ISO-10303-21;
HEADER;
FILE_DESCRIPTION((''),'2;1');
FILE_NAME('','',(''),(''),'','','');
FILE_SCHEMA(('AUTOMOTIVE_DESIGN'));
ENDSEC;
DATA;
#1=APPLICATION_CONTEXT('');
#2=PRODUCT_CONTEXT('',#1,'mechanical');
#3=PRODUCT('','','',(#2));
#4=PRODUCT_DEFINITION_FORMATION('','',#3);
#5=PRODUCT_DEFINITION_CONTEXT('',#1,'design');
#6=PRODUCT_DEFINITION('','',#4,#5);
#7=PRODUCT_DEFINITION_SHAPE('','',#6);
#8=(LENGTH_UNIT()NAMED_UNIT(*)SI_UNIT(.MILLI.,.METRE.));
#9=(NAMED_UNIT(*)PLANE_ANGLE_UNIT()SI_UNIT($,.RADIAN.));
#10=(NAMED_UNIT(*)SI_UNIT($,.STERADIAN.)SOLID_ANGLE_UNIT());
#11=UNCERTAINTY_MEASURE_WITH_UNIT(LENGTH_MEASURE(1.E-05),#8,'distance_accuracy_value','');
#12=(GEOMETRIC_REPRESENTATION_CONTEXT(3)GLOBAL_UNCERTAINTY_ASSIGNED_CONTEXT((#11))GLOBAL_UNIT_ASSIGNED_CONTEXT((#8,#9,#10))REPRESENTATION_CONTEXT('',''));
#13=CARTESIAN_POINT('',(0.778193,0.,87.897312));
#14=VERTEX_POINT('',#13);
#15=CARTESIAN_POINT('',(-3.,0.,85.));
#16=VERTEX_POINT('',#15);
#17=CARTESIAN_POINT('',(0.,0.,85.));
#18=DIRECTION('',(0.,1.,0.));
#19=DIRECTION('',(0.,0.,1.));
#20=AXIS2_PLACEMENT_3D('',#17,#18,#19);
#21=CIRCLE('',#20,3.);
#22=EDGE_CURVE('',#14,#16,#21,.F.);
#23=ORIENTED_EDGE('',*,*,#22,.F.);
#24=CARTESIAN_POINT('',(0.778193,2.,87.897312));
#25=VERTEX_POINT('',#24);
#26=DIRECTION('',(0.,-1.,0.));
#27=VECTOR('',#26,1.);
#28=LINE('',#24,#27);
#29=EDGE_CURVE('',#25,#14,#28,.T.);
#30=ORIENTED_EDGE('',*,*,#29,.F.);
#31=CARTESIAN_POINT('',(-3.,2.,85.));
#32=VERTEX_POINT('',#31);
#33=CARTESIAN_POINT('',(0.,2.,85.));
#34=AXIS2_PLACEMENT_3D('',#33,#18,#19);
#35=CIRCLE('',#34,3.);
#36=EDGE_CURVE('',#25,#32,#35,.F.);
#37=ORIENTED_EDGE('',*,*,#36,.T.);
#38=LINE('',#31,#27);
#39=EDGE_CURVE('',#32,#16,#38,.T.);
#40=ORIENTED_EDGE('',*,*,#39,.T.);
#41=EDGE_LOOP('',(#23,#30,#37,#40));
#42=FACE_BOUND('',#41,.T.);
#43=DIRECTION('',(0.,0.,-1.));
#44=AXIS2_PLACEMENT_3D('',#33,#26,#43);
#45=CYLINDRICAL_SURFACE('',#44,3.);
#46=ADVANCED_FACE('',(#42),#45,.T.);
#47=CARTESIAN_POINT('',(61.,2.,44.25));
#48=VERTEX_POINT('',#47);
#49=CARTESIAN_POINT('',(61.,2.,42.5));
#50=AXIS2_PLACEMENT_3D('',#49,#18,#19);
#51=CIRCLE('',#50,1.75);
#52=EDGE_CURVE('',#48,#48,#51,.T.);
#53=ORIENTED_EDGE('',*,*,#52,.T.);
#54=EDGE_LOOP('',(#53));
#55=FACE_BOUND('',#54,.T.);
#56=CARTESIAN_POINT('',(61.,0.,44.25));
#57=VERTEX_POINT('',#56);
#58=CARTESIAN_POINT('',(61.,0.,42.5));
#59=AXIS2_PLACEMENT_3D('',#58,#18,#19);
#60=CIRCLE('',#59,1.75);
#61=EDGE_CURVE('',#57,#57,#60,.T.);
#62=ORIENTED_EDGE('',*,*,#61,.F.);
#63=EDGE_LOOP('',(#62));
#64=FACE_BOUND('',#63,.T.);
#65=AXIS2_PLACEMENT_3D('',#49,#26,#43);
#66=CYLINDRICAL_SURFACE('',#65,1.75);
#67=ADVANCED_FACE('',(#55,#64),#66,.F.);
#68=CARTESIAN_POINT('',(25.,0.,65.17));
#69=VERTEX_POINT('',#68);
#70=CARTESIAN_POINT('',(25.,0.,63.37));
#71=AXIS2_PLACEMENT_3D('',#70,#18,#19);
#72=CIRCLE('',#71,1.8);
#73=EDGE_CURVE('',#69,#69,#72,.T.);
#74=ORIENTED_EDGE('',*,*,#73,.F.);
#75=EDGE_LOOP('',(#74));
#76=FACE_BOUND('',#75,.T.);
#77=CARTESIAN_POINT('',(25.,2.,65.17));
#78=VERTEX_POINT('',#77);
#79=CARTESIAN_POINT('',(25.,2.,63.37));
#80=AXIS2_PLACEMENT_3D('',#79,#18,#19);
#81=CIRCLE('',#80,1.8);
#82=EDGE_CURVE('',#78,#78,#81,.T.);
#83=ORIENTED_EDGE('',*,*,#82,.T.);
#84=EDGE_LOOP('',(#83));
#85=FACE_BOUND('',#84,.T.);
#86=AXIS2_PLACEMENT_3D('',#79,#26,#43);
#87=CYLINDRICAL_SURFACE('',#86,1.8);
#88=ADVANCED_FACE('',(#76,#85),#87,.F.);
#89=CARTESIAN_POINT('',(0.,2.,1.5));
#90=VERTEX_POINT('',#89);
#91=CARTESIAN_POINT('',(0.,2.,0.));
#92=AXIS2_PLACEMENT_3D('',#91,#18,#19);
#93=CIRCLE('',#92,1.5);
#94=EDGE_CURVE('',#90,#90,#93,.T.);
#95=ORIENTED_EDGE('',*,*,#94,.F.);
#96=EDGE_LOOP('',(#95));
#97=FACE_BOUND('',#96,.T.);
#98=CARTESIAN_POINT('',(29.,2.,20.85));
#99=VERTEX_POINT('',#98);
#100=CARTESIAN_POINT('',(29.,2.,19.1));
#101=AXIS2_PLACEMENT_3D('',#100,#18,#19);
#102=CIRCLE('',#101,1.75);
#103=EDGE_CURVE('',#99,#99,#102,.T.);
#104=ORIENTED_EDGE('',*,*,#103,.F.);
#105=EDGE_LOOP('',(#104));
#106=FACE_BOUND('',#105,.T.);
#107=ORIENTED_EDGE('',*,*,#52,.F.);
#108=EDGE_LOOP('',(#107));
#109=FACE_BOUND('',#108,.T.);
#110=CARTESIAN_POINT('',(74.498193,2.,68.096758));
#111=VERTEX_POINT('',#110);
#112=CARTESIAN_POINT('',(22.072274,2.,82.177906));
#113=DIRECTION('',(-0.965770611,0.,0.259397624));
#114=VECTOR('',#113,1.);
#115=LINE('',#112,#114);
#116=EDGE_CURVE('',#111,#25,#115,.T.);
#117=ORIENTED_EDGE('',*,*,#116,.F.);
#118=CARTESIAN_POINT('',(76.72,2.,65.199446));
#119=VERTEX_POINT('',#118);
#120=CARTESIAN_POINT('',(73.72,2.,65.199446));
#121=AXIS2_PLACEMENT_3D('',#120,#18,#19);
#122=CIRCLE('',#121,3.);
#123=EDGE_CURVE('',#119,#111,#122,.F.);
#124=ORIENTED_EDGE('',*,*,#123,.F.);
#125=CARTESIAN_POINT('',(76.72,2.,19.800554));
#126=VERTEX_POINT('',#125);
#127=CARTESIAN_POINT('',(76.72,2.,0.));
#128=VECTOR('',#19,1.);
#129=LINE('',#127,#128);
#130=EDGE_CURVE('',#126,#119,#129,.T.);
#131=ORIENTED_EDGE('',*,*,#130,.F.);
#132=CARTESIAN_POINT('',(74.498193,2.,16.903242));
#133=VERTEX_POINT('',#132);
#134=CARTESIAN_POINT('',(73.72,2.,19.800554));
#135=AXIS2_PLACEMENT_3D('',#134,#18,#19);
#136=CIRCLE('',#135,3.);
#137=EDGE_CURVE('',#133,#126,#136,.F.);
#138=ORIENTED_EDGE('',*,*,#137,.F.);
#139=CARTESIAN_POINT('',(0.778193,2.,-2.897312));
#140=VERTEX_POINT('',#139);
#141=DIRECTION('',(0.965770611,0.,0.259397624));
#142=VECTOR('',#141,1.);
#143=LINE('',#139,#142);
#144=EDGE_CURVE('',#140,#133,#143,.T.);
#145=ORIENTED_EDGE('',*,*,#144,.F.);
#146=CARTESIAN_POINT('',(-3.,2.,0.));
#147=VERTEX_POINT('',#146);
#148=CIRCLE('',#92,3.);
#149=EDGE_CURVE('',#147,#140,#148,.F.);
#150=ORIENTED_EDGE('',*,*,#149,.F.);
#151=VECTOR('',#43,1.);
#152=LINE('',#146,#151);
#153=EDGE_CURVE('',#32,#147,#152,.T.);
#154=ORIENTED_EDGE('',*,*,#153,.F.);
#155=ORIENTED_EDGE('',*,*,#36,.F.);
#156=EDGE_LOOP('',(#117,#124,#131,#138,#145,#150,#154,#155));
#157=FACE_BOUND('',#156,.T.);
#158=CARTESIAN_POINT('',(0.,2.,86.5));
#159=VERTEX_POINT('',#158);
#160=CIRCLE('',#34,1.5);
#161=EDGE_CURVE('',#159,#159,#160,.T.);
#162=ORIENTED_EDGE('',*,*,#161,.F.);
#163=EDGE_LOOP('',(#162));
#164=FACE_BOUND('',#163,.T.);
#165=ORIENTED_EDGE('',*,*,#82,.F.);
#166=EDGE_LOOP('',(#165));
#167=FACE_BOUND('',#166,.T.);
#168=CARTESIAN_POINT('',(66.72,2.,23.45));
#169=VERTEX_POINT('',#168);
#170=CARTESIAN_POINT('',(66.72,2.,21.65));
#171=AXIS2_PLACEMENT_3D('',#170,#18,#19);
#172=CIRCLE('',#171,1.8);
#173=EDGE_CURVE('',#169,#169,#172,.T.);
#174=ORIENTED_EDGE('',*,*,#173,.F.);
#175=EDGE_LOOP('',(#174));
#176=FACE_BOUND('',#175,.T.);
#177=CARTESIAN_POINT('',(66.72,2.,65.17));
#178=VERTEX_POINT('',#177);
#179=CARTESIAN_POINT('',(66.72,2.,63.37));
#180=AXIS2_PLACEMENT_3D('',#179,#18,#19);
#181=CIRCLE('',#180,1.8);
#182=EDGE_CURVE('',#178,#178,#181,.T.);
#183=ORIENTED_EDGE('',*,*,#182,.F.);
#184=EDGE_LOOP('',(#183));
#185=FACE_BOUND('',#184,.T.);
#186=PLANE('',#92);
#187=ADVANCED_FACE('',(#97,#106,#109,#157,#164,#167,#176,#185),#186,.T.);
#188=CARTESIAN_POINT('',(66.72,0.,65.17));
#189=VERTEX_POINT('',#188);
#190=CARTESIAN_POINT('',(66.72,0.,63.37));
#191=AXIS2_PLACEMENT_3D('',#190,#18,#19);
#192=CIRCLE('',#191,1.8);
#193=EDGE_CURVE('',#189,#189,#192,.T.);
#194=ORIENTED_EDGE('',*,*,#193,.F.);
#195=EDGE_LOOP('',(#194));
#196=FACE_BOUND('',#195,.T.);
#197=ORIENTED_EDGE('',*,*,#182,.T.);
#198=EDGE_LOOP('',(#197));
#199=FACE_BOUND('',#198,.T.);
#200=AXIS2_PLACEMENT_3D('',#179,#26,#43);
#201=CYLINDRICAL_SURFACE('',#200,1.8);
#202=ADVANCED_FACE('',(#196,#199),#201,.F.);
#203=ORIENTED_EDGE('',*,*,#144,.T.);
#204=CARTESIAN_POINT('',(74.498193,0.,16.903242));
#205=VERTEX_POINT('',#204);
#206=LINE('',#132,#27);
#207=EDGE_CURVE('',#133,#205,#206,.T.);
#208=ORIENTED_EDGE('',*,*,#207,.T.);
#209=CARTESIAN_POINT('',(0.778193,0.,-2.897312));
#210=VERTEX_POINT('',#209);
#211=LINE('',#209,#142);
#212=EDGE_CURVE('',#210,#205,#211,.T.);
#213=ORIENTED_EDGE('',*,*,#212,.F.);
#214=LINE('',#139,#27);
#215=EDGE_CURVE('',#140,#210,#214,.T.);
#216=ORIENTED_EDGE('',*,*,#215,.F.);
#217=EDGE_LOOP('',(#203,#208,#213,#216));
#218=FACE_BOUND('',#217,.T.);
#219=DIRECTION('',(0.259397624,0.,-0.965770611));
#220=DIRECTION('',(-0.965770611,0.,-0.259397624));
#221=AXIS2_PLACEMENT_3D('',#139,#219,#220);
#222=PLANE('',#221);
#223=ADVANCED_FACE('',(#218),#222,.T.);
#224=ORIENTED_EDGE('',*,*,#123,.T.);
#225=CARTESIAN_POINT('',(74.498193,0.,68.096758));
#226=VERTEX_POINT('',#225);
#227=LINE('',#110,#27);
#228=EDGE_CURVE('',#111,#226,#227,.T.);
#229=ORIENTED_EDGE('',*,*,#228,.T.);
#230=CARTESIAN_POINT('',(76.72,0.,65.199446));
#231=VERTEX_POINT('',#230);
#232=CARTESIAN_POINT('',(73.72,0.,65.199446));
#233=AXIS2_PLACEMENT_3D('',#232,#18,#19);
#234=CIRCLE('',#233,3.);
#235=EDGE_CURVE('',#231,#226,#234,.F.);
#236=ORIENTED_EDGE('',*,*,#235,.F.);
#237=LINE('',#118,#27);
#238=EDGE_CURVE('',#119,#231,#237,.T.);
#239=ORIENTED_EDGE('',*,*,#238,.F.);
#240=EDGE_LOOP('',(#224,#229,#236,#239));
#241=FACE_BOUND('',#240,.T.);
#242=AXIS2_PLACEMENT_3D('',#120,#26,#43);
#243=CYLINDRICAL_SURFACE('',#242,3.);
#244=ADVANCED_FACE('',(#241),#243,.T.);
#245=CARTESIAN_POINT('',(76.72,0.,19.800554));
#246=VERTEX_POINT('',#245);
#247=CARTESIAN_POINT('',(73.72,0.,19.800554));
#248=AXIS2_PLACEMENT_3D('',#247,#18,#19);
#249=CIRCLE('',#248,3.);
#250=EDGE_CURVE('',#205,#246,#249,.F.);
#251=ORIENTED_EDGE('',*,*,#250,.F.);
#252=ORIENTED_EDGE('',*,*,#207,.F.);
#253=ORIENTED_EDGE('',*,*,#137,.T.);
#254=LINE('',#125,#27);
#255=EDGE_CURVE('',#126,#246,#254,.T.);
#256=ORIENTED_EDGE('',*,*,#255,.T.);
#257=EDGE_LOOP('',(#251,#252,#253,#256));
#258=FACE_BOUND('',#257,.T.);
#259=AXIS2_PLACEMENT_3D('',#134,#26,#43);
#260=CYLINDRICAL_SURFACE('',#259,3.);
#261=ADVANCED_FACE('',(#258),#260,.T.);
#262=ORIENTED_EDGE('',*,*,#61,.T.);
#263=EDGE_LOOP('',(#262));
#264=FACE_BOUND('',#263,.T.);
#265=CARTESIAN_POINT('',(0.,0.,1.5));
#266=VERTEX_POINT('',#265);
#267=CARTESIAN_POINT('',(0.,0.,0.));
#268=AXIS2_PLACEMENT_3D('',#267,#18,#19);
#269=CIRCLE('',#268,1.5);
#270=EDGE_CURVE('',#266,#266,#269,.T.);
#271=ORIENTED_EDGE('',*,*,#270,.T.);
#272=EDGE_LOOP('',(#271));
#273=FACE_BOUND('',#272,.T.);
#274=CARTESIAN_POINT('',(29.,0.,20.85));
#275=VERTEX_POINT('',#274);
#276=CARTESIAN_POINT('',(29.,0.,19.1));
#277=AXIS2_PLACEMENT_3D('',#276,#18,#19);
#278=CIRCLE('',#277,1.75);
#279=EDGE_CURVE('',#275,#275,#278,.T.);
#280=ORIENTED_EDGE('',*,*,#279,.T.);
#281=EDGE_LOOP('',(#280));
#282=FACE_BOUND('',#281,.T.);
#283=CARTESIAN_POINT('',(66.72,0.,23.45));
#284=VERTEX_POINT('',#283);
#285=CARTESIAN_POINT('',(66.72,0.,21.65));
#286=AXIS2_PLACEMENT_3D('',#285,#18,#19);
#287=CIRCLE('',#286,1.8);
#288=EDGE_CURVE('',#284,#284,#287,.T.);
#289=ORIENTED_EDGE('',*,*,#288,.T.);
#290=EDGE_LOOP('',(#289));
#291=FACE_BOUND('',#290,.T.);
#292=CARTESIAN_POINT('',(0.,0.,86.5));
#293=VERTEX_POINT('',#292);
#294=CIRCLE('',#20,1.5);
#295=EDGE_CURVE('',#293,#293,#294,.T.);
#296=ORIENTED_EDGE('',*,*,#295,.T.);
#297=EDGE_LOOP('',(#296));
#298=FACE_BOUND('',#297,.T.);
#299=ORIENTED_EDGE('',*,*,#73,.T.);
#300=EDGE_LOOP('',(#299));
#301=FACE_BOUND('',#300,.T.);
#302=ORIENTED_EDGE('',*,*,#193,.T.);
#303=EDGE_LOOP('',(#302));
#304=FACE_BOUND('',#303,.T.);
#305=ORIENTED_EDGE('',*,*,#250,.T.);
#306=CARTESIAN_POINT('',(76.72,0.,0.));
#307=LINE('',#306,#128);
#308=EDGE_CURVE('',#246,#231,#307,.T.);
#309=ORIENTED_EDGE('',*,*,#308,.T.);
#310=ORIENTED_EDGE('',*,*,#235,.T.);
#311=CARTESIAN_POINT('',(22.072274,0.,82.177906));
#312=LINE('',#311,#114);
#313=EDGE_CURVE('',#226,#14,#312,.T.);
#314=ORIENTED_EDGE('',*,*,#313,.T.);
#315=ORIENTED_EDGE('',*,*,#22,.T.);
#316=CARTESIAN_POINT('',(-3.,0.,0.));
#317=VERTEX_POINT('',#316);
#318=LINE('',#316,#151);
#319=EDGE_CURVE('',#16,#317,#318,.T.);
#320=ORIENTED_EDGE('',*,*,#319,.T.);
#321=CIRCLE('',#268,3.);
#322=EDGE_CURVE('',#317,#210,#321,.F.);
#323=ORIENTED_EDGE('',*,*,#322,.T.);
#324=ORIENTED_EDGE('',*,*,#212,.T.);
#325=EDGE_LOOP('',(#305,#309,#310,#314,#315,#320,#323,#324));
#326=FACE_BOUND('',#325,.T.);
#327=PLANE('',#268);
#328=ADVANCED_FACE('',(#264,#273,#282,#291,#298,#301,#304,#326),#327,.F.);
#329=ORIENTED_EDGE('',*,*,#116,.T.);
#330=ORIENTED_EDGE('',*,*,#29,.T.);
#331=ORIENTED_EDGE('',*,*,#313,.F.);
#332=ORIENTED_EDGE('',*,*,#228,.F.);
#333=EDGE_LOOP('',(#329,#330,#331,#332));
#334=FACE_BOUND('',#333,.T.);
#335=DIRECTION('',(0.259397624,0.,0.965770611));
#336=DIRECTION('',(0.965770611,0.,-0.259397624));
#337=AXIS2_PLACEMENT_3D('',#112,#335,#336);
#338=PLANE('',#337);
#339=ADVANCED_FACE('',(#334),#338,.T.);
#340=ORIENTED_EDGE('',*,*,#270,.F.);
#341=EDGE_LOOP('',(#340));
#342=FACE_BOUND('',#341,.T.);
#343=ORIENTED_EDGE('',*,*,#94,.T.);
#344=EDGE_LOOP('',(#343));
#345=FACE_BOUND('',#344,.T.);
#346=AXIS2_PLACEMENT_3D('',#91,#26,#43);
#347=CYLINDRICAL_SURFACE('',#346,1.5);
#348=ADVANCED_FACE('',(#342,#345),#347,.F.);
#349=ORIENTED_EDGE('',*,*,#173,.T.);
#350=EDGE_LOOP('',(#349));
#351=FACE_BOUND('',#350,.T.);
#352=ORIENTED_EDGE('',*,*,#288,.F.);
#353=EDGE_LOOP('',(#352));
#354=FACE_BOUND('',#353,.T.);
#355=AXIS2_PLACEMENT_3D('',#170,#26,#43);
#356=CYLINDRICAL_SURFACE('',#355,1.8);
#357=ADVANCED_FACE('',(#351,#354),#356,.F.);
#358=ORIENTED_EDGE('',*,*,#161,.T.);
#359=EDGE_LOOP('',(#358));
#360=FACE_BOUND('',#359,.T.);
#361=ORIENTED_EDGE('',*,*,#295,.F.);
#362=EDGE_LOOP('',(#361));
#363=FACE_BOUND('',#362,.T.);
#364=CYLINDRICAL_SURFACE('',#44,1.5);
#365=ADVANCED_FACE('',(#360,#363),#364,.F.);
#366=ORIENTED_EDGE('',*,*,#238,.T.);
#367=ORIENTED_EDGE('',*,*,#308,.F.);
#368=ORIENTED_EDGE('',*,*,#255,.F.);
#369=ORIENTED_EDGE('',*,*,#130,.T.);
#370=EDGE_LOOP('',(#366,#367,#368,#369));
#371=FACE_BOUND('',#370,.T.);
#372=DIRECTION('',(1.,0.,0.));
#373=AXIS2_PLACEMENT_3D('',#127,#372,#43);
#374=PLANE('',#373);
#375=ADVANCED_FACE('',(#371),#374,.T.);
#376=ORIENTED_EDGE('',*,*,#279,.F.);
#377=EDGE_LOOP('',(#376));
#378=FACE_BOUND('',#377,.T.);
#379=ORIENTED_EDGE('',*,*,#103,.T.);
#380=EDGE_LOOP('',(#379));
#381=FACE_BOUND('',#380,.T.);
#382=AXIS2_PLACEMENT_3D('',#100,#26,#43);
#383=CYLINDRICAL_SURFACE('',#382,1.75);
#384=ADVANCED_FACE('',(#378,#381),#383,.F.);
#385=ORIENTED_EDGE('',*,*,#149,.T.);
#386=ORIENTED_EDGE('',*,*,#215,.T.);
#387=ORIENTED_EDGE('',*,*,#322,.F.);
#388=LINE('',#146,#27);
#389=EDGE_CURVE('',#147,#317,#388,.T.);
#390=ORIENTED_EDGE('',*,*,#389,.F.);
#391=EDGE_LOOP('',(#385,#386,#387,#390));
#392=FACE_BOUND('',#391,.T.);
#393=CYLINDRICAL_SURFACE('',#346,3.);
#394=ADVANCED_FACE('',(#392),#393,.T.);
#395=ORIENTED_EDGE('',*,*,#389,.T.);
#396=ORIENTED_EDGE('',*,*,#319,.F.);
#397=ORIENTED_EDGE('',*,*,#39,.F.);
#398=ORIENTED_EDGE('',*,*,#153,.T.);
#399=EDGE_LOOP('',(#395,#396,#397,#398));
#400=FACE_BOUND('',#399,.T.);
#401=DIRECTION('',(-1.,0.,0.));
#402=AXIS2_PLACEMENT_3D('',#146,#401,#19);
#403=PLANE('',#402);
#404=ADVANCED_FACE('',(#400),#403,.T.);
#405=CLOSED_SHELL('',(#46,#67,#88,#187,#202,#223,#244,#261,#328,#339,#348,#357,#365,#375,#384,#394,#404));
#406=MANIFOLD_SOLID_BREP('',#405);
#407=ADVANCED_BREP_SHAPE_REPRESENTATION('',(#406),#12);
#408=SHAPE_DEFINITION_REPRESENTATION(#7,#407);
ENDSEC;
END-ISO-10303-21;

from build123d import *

# Parameters (mm, degrees)
CROQUIS1_R              = 1.8
CROQUIS1_R_2            = 1.5
CROQUIS1_R_3            = 1.75
SALIENTE_EXTRUIR1_DEPTH = 2


with BuildPart() as part:
    # Croquis1 → Saliente-Extruir1 (new body)
    with BuildSketch(Plane(origin=(0, 0, 0), x_dir=(1, 0, 0), z_dir=(0, 1, 0))):
        with BuildLine():
            Line((0.778192871, 2.897311833), (74.498192871, -16.903241843))
            ThreePointArc((74.498192871, -16.903241843), (76.10060692, -17.974982342), (76.72, -19.800553676))
            Line((76.72, -19.800553676), (76.72, -65.199446324))
            ThreePointArc((76.72, -65.199446324), (76.10060692, -67.025017658), (74.498192871, -68.096758157))
            Line((74.498192871, -68.096758157), (0.778192871, -87.897311833))
            ThreePointArc((0.778192871, -87.897311833), (-1.825571333, -87.38060692), (-3, -85))
            Line((-3, -85), (-3, 0))
            ThreePointArc((-3, 0), (-1.825571333, 2.38060692), (0.778192871, 2.897311833))
        make_face()
        with Locations(Location((25, -63.37, 0), (0, 0, 270))):
            Circle(CROQUIS1_R, mode=Mode.SUBTRACT)
        with Locations(Location((66.72, -21.65, 0), (0, 0, 270))):
            Circle(CROQUIS1_R, mode=Mode.SUBTRACT)
        with Locations(Location((66.72, -63.37, 0), (0, 0, 270))):
            Circle(CROQUIS1_R, mode=Mode.SUBTRACT)
        with Locations(Location((0, 0, 0), (0, 0, 270))):
            Circle(CROQUIS1_R_2, mode=Mode.SUBTRACT)
        with Locations(Location((0, -85, 0), (0, 0, 270))):
            Circle(CROQUIS1_R_2, mode=Mode.SUBTRACT)
        with Locations(Location((29, -19.1, 0), (0, 0, 270))):
            Circle(CROQUIS1_R_3, mode=Mode.SUBTRACT)
        with Locations(Location((61, -42.5, 0), (0, 0, 270))):
            Circle(CROQUIS1_R_3, mode=Mode.SUBTRACT)
    extrude(amount=SALIENTE_EXTRUIR1_DEPTH)


solid = part.part
